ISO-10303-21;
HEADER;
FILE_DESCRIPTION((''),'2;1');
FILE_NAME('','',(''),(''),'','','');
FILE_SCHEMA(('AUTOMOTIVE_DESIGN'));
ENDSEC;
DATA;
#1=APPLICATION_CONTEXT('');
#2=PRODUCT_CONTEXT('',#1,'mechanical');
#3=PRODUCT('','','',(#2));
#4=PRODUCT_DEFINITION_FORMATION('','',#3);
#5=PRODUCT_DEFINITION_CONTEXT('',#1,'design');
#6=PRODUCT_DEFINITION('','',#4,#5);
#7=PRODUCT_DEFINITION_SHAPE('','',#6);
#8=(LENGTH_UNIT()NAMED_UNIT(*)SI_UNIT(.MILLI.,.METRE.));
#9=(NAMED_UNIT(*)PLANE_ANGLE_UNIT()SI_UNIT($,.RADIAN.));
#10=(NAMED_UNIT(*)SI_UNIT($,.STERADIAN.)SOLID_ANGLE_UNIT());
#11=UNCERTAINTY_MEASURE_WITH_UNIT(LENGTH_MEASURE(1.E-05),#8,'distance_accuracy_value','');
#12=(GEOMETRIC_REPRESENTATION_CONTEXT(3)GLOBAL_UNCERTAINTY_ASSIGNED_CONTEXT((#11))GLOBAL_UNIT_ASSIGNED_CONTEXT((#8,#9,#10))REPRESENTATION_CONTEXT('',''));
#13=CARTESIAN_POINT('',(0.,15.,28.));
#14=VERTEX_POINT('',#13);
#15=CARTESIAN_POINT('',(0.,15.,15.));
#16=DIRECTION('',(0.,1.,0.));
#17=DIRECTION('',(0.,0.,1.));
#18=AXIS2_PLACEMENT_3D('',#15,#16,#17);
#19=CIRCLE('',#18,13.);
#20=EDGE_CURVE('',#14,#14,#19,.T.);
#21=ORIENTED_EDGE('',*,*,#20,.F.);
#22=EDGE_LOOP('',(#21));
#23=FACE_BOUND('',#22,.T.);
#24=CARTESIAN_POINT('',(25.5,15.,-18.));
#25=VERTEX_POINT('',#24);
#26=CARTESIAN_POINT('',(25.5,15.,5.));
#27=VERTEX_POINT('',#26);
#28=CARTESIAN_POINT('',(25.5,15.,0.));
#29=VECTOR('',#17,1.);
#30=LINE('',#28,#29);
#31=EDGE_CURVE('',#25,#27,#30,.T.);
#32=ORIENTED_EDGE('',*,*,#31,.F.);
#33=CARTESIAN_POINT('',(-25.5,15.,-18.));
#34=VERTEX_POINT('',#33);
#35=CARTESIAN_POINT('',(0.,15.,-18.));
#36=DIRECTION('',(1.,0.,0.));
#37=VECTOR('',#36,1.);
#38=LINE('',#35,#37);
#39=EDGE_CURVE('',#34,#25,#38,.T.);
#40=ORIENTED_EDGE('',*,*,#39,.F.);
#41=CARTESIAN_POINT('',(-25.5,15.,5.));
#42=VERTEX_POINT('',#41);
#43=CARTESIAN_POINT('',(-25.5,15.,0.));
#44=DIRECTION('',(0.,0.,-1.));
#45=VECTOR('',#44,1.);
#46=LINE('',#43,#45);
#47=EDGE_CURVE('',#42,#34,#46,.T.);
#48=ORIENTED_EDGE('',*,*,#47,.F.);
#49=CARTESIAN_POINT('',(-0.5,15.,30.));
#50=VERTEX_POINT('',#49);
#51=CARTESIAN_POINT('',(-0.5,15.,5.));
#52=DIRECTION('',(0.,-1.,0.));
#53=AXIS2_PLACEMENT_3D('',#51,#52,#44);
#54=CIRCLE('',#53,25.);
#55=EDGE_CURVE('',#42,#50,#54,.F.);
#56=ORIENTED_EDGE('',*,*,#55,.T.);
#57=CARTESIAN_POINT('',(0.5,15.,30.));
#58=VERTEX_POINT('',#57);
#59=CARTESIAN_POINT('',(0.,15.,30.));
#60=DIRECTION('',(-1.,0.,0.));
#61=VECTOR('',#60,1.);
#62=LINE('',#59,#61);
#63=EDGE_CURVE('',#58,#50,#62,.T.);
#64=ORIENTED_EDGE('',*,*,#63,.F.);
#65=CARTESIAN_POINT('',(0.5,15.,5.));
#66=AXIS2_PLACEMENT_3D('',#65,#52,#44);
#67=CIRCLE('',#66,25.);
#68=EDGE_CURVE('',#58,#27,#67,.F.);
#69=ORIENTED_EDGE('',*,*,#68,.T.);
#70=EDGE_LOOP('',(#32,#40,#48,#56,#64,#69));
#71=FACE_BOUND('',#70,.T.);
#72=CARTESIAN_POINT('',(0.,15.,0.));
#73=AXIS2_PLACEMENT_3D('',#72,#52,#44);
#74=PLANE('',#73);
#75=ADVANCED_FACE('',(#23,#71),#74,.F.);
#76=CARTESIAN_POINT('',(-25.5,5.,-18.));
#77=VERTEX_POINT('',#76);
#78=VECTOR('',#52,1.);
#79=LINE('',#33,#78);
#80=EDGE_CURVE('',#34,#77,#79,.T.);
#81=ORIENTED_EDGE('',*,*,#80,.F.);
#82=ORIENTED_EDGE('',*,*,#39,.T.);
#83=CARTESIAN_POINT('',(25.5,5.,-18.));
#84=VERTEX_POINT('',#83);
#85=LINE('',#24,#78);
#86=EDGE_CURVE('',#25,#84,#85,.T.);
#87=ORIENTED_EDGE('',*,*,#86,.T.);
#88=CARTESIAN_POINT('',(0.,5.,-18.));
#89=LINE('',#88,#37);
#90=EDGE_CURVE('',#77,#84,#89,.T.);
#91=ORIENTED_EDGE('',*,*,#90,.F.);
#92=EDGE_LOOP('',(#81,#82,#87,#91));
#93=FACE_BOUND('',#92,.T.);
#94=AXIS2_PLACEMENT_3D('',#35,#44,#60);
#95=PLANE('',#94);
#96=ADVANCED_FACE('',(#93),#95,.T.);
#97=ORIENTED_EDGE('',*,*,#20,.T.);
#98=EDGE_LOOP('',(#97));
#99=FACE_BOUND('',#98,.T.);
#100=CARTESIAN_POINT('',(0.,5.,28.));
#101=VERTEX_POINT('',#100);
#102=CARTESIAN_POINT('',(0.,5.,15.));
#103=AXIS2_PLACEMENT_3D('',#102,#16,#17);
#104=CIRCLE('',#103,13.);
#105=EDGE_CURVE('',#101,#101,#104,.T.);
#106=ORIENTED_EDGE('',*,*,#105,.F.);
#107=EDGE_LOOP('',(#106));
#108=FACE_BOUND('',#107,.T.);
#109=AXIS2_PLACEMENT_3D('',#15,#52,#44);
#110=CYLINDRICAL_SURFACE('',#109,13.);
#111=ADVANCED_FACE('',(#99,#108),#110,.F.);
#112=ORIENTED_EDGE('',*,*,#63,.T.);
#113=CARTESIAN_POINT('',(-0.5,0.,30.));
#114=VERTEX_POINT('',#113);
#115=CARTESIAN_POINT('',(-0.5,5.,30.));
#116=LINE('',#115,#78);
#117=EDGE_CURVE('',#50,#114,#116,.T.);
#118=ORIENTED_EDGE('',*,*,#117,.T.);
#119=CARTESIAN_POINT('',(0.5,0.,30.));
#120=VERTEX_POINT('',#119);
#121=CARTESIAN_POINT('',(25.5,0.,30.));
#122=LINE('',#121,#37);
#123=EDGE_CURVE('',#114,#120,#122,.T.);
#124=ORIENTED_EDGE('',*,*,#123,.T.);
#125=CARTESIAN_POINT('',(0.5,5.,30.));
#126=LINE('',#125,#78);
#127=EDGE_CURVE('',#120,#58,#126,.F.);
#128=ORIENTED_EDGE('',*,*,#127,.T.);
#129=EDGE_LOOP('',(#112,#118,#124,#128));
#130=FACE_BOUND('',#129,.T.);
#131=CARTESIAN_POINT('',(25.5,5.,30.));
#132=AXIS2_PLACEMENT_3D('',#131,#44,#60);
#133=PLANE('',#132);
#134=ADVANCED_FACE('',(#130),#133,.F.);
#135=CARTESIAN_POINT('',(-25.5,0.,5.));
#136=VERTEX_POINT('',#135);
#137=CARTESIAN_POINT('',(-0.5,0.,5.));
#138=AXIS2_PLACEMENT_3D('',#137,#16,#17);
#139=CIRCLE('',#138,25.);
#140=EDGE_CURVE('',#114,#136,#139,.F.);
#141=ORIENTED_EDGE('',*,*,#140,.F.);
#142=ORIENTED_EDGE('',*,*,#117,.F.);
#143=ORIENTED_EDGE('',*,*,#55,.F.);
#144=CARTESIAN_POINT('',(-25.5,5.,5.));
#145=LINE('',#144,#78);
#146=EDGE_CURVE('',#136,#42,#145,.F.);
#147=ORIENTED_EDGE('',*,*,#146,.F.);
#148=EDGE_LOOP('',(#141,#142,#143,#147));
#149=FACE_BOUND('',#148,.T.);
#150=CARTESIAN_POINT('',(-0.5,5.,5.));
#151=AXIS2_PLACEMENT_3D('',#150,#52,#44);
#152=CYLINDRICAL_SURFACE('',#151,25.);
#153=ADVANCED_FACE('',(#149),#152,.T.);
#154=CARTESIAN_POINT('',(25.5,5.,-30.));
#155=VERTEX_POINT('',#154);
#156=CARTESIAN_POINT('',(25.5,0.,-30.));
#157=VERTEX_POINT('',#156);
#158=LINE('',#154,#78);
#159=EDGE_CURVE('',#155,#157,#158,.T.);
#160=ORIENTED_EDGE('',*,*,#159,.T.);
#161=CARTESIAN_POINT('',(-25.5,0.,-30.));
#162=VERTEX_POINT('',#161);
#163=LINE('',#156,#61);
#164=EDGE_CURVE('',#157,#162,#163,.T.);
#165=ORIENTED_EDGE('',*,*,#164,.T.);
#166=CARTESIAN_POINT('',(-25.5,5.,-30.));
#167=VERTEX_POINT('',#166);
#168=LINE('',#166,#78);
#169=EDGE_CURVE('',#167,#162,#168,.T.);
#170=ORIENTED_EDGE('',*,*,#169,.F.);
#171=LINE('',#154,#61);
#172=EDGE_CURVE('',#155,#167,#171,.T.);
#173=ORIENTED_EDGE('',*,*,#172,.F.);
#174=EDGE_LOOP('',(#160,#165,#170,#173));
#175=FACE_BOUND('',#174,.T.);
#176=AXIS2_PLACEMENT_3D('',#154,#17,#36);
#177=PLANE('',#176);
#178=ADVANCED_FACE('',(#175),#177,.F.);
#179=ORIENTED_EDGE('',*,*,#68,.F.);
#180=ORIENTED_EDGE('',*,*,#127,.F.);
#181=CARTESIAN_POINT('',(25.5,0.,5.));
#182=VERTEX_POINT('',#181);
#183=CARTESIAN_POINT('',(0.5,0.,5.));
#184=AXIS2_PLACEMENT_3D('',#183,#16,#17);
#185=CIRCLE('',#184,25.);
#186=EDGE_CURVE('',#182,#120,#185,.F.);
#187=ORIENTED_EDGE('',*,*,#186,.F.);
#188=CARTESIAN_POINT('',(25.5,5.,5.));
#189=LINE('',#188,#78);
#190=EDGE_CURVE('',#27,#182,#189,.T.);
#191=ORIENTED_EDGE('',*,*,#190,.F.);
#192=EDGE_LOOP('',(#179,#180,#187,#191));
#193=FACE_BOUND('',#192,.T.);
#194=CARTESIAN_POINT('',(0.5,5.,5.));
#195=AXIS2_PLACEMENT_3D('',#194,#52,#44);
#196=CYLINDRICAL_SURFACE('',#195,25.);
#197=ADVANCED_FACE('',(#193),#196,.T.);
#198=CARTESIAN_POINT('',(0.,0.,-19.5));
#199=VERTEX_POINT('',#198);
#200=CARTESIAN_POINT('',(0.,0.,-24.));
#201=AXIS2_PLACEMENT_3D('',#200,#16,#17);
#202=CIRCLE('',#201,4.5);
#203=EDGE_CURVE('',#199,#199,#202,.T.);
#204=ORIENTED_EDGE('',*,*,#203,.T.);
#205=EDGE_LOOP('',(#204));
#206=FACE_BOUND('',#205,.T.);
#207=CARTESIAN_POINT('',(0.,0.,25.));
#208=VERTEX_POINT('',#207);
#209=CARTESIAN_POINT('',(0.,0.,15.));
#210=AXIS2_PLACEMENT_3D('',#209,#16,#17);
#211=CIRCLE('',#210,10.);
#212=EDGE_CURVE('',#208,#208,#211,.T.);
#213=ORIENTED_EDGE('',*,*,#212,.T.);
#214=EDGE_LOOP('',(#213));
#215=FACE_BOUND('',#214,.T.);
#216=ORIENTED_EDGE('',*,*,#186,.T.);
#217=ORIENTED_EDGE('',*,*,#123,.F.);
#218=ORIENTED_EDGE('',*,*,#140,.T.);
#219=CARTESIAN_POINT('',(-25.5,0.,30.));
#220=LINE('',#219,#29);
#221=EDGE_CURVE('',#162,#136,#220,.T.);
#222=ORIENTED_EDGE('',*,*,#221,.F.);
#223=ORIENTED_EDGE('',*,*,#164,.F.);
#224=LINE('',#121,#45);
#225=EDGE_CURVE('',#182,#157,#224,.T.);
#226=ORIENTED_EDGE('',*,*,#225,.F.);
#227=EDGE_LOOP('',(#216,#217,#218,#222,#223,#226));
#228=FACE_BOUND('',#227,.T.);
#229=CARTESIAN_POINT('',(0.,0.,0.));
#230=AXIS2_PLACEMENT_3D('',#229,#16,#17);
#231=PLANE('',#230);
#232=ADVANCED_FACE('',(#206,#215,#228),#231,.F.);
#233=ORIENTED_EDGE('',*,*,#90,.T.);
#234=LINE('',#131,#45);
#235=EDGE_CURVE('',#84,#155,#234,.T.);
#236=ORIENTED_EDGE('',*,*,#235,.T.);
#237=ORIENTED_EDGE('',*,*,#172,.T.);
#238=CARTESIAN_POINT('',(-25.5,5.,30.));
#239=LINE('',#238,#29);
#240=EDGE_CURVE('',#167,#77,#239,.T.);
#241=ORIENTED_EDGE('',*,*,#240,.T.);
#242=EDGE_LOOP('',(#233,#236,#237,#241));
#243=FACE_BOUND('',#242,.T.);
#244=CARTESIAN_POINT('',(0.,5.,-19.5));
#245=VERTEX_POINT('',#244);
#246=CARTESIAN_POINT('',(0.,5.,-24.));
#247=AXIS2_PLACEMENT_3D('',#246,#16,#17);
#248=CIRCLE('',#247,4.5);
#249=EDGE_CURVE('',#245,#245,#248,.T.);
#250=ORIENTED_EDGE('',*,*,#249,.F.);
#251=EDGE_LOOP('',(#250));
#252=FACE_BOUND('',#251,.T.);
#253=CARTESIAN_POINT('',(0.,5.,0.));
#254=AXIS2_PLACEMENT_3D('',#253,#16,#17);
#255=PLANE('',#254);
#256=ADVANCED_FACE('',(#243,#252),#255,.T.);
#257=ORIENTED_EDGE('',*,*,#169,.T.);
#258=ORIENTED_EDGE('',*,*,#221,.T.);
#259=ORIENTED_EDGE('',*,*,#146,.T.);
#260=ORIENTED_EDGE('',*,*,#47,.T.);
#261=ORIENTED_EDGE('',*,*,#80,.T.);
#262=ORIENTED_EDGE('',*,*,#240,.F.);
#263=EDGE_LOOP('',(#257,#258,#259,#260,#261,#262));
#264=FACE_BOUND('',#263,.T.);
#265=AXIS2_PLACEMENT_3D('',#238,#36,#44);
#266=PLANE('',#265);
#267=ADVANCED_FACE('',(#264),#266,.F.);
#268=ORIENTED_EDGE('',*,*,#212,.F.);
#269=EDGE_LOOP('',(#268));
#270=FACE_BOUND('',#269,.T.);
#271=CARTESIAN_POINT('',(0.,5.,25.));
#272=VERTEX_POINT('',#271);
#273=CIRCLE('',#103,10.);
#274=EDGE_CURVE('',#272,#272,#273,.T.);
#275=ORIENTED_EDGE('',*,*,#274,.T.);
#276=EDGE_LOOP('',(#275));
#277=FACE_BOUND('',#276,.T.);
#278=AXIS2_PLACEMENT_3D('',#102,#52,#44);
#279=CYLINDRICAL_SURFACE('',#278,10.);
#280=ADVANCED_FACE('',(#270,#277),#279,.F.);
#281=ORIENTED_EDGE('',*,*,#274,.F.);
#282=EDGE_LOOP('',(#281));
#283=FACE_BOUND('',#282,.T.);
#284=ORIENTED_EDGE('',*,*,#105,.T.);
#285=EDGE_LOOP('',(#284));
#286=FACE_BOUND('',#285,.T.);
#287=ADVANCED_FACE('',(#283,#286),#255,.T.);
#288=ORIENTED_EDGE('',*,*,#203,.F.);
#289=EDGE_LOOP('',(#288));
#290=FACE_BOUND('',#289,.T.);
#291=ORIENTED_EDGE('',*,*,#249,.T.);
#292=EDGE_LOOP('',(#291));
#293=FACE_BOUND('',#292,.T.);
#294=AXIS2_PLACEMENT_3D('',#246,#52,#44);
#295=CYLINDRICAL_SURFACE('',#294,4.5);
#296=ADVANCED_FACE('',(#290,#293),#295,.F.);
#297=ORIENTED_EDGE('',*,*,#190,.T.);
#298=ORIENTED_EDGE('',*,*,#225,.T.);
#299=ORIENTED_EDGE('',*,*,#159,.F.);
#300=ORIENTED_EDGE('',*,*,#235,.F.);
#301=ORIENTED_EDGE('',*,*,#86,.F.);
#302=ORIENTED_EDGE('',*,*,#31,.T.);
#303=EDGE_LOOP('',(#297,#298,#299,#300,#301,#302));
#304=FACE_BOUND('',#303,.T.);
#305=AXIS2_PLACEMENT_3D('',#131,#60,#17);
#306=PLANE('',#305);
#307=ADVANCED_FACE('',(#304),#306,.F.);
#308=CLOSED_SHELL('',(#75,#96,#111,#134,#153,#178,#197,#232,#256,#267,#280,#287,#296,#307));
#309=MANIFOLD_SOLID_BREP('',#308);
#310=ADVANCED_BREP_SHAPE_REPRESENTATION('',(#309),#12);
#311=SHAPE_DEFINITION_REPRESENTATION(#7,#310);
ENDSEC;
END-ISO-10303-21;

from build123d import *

# Parameters (mm, degrees)
SZKIC1_W                    = 51
SZKIC1_H                    = 60
SZKIC1_R                    = 4.5
SZKIC1_R_2                  = 10
DODANIE_WYCI_GNI_CIE1_DEPTH = 5
DODANIE_WYCI_GNI_CIE2_START = 5
SZKIC2_W                    = 51
SZKIC2_H                    = 48
SZKIC2_R                    = 13
DODANIE_WYCI_GNI_CIE2_DEPTH = 10
ZAOKR_GLENIE1_R             = 25


with BuildPart() as part:
    # Szkic1 → Dodanie-wyciągnięcie1 (new body)
    with BuildSketch(Plane(origin=(0, 0, 0), x_dir=(1, 0, 0), z_dir=(0, 1, 0))):
        Rectangle(SZKIC1_W, SZKIC1_H)
        with Locations(Location((0, 24, 0), (0, 0, 270))):
            Circle(SZKIC1_R, mode=Mode.SUBTRACT)
        with Locations(Location((0, -15, 0), (0, 0, 270))):
            Circle(SZKIC1_R_2, mode=Mode.SUBTRACT)
    extrude(amount=DODANIE_WYCI_GNI_CIE1_DEPTH)

    # Szkic2 → Dodanie-wyciągnięcie2 (add)
    with BuildSketch(Plane(origin=(0, 0, 0), x_dir=(1, 0, 0), z_dir=(0, 1, 0)).offset(DODANIE_WYCI_GNI_CIE2_START)):
        with Locations((0, -6)):
            Rectangle(SZKIC2_W, SZKIC2_H)
        with Locations(Location((0, -15, 0), (0, 0, 270))):
            Circle(SZKIC2_R, mode=Mode.SUBTRACT)
    extrude(amount=DODANIE_WYCI_GNI_CIE2_DEPTH)

    # Zaokrąglenie1
    zaokr_glenie1_edges = [part.edges().sort_by_distance(p)[0] for p in [
        (25.5, 7.5, 30),
        (-25.5, 7.5, 30),
    ]]
    fillet(zaokr_glenie1_edges, radius=ZAOKR_GLENIE1_R)


solid = part.part
